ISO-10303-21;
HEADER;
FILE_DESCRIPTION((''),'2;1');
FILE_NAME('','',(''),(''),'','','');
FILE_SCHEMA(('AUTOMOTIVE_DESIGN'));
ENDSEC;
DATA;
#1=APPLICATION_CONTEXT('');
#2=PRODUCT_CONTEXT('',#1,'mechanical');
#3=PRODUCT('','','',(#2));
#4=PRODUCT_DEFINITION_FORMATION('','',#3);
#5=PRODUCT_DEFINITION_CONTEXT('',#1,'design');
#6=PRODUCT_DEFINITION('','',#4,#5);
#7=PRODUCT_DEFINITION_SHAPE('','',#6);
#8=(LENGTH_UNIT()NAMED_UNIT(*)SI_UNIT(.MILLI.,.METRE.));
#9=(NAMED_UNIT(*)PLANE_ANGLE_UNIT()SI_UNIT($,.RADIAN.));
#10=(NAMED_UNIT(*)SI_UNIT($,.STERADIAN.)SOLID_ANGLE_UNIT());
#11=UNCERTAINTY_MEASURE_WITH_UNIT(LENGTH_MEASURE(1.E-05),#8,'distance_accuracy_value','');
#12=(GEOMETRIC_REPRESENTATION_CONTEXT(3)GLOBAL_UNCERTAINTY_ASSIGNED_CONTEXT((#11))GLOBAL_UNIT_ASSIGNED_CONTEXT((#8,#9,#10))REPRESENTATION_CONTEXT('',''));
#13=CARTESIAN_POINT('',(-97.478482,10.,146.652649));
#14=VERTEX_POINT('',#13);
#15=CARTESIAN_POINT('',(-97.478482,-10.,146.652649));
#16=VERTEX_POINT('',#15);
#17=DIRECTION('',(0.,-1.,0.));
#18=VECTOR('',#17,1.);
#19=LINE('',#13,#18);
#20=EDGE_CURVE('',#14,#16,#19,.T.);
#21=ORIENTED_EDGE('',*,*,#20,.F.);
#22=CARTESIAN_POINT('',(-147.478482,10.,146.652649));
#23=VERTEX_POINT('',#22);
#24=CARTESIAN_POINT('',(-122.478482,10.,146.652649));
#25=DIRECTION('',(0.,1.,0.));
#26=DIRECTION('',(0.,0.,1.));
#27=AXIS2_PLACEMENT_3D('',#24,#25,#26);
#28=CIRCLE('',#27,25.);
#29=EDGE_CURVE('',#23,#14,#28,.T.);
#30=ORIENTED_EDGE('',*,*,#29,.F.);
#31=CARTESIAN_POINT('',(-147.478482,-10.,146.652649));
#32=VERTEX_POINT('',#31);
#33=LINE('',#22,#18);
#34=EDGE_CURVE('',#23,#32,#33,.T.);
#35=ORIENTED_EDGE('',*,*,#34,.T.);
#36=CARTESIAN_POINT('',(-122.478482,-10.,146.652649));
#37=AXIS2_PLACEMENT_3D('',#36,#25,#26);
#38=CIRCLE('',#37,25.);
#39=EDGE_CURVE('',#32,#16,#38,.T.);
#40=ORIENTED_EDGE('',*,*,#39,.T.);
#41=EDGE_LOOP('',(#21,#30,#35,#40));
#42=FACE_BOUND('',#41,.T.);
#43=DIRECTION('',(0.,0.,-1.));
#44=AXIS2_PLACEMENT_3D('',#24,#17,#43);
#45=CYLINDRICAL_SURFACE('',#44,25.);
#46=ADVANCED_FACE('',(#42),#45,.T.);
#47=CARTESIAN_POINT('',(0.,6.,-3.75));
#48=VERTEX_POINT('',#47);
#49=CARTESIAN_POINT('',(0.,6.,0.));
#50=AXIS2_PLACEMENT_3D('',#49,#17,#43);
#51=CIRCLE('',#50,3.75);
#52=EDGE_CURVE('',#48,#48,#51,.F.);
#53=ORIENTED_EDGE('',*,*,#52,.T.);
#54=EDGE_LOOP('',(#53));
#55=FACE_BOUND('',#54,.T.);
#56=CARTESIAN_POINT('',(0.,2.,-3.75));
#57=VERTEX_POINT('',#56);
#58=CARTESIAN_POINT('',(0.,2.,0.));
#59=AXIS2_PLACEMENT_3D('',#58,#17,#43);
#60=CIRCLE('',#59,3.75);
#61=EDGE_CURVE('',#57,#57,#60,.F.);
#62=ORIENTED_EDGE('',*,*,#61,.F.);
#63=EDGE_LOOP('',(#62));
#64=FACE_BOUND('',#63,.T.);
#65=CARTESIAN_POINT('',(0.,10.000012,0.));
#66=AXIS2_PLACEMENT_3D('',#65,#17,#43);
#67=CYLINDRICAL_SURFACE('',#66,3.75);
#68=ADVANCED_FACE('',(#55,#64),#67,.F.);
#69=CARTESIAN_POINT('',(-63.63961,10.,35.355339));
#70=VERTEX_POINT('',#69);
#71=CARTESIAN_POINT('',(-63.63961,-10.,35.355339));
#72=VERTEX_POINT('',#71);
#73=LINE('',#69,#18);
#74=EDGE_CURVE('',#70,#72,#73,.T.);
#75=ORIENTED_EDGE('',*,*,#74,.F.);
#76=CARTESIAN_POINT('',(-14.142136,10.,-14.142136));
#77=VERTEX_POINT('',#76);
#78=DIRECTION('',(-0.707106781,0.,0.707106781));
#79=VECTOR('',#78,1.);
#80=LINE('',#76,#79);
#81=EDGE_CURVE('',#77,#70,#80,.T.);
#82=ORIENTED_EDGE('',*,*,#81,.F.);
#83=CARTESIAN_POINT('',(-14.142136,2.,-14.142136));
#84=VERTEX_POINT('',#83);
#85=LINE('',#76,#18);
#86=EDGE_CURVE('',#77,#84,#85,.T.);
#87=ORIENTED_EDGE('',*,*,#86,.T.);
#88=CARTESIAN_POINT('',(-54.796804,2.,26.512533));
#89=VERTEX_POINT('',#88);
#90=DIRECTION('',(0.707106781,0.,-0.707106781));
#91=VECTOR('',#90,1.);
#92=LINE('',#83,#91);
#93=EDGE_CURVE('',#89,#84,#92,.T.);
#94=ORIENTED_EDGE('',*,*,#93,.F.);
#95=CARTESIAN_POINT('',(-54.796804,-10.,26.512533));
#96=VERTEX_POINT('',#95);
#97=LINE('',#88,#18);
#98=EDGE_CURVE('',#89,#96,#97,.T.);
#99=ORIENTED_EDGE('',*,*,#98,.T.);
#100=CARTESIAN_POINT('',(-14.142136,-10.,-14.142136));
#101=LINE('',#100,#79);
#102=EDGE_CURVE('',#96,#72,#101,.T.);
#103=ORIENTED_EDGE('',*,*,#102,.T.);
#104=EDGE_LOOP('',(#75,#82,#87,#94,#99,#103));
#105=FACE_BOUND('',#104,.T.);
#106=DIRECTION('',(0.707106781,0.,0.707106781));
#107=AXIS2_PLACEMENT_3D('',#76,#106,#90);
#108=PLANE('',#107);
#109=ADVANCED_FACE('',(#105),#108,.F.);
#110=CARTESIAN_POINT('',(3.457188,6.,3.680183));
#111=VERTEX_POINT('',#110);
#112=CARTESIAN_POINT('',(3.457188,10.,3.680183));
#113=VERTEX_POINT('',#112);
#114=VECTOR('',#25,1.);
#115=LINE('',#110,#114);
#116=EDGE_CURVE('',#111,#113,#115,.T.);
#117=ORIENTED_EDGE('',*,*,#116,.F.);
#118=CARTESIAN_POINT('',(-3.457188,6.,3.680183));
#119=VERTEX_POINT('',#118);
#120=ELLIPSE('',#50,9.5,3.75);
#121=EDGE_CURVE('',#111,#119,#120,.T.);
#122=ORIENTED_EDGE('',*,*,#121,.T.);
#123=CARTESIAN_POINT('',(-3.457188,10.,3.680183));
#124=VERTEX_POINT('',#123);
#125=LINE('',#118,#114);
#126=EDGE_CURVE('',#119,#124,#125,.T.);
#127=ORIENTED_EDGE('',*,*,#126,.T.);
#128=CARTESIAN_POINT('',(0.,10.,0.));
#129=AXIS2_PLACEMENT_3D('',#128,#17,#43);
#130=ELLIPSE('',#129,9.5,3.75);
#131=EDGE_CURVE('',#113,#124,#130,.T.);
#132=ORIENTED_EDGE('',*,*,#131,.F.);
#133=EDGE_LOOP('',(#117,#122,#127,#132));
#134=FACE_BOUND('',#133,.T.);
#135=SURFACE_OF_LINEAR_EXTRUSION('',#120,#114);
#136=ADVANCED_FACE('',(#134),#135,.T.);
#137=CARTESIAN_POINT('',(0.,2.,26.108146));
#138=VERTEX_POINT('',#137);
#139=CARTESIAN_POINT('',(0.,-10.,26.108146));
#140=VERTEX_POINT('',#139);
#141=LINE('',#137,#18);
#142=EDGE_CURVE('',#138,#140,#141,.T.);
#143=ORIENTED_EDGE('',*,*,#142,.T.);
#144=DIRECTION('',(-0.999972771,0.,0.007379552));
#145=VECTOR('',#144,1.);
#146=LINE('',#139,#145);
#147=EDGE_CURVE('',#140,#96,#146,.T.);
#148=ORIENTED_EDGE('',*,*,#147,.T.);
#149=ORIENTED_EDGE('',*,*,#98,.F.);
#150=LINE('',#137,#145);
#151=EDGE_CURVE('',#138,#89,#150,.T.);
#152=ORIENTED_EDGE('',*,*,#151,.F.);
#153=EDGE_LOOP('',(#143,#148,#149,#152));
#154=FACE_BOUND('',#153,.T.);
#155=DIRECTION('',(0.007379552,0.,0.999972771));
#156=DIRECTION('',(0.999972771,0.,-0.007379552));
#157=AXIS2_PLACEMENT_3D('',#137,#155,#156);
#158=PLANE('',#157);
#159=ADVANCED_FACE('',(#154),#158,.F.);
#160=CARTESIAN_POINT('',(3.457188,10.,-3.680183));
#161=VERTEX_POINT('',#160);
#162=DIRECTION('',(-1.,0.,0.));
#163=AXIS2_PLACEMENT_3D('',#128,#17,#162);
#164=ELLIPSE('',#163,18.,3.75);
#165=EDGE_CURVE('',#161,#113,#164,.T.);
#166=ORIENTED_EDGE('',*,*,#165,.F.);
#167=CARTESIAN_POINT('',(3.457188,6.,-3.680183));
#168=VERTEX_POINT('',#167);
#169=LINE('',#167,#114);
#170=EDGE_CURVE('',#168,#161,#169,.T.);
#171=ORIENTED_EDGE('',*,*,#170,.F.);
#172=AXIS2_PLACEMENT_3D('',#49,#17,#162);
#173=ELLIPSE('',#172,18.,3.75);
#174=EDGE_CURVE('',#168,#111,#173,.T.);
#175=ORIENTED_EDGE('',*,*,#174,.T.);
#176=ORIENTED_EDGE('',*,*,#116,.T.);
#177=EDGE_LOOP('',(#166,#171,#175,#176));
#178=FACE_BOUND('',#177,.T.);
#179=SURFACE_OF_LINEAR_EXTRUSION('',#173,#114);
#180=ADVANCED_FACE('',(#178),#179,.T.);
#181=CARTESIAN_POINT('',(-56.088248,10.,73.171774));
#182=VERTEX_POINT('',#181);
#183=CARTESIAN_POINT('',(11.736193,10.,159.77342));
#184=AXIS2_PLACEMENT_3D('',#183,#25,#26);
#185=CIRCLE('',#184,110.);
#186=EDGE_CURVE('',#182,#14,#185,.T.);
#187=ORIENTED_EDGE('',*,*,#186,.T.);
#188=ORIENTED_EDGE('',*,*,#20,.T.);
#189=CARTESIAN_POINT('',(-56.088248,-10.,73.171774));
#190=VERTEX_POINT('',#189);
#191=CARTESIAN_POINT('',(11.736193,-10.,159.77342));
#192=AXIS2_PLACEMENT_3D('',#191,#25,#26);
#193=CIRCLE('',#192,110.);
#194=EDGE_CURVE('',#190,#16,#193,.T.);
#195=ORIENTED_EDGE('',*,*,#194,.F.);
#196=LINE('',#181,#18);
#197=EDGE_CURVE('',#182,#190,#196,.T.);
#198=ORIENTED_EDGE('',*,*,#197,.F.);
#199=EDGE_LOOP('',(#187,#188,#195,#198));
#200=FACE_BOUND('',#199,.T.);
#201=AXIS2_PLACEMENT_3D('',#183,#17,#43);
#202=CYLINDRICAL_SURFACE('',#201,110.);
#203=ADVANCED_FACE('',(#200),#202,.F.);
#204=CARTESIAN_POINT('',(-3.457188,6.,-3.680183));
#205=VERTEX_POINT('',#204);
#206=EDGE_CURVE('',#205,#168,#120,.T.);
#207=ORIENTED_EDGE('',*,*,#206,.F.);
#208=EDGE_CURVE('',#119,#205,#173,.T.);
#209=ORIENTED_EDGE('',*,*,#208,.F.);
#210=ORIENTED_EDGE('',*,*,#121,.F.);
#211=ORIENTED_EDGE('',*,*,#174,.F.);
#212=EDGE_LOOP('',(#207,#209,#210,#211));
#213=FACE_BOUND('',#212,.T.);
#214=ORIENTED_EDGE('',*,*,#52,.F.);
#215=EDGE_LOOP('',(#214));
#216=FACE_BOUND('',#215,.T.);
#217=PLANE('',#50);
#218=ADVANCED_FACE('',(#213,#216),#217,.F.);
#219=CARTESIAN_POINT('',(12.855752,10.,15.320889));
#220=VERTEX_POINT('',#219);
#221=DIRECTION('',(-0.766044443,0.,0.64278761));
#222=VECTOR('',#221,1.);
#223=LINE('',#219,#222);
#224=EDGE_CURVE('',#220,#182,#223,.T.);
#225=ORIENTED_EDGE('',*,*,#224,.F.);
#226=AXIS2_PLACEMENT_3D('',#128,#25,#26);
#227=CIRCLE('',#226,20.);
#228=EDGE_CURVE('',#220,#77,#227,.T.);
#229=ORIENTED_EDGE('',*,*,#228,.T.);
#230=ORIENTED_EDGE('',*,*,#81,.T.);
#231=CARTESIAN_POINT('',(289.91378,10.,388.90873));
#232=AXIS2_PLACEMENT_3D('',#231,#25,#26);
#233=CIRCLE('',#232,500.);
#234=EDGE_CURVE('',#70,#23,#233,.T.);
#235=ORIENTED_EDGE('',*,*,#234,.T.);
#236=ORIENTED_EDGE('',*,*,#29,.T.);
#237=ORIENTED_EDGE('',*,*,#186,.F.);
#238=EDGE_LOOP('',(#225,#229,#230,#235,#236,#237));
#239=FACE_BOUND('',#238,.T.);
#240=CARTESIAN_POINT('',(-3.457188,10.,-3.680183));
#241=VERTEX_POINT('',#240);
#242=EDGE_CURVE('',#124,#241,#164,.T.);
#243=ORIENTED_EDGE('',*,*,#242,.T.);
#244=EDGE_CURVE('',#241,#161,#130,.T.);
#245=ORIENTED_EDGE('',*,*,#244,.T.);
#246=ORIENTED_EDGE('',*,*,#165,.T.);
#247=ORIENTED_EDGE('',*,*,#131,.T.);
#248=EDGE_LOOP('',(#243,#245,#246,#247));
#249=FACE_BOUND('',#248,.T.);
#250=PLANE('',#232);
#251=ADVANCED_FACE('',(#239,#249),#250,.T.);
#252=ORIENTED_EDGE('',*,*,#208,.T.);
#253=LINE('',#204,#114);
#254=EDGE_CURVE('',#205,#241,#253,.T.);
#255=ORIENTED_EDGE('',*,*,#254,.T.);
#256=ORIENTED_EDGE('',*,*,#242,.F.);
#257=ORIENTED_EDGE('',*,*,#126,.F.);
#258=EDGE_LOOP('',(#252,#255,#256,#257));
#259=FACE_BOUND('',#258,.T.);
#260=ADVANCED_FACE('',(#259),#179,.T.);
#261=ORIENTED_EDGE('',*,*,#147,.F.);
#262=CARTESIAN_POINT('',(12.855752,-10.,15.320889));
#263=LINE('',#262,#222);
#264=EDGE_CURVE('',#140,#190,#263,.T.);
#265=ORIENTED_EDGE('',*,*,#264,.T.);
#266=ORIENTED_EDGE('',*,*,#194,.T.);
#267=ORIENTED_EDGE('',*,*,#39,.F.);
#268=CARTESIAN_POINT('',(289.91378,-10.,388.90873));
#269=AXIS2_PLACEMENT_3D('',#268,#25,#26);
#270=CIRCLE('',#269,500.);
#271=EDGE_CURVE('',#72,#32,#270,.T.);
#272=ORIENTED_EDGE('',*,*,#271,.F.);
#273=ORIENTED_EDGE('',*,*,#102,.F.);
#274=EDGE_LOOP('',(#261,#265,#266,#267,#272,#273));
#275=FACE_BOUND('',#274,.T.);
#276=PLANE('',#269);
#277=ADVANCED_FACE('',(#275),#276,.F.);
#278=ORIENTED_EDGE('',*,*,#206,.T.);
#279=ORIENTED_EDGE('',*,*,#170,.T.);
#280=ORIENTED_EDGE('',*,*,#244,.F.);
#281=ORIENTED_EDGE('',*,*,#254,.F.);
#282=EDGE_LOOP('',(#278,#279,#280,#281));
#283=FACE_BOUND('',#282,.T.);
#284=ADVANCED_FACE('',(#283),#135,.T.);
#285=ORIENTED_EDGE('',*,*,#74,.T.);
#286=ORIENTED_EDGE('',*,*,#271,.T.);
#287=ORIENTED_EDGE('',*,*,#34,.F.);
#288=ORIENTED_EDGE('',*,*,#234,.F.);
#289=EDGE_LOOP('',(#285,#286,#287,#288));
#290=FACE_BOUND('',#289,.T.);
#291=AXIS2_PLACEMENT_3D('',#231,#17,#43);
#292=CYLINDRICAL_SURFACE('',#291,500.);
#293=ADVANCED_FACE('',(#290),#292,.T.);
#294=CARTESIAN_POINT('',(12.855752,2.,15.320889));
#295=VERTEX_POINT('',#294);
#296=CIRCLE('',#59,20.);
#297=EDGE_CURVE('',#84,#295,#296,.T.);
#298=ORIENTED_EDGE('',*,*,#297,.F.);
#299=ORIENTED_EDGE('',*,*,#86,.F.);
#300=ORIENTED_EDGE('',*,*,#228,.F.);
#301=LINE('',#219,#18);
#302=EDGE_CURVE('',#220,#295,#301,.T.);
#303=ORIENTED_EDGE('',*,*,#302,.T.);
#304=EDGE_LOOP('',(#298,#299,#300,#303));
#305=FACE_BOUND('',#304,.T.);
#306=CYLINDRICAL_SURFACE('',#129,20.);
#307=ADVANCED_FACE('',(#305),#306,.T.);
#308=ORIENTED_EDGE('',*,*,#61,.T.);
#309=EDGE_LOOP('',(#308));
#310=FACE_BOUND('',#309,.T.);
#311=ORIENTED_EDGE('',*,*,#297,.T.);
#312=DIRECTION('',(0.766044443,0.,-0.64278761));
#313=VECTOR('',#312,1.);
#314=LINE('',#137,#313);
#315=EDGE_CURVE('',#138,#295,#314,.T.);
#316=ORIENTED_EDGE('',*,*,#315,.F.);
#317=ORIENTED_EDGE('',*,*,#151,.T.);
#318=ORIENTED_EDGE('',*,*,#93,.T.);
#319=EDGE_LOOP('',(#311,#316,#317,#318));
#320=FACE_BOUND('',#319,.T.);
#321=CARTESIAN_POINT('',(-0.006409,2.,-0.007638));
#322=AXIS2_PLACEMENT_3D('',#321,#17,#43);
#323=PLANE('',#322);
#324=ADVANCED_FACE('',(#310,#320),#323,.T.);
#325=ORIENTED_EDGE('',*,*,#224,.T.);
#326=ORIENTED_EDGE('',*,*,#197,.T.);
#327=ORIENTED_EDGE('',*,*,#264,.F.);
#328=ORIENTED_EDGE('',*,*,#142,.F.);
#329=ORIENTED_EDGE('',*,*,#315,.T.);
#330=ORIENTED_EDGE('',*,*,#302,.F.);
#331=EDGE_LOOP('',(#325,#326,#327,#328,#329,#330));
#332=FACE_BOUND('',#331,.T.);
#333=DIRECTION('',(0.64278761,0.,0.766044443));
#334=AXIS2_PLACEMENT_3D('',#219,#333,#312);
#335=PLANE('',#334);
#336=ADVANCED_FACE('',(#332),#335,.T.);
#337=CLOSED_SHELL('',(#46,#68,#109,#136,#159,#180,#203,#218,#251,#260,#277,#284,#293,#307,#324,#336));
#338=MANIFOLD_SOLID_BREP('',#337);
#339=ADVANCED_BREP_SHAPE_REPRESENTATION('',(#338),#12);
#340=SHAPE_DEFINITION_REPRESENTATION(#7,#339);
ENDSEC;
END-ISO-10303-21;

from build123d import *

# Parameters (mm, degrees)
EXTRUDE_1_DEPTH          = 10
SKETCH_2_R               = 3.75
CUT_EXTRUDE_2_DEPTH      = 21
CUT_EXTRUDE_2_DEPTH_BACK = 1
CUT_EXTRUDE_3_DEPTH      = 4
CUT_EXTRUDE_3_DEPTH_BACK = 4
CUT_EXTRUDE_4_DEPTH      = 12


with BuildPart() as part:
    # 草图1 → 凸台-拉伸1 (new body, symmetric)
    with BuildSketch(Plane(origin=(0, 0, 0), x_dir=(1, 0, 0), z_dir=(0, 1, 0))):
        with BuildLine():
            Line((-14.142135624, 14.142135624), (-63.639610307, -35.355339059))
            ThreePointArc((-63.639610307, -35.355339059), (-109.455133557, -88.069120133), (-147.47848225, -146.652648876))
            ThreePointArc((-147.47848225, -146.652648876), (-122.47848225, -171.652648876), (-97.47848225, -146.652648876))
            ThreePointArc((-97.47848225, -146.652648876), (-84.10519624, -105.787977439), (-56.088247687, -73.171773734))
            Line((-56.088247687, -73.171773734), (12.855752194, -15.320888862))
            ThreePointArc((12.855752194, -15.320888862), (14.745546736, 13.511804152), (-14.142135624, 14.142135624))
        make_face()
    extrude(amount=EXTRUDE_1_DEPTH, both=True)

    # 草图2 → 切除-拉伸2 (cut, two sides)
    with BuildSketch(Plane(origin=(0, 10, 0), x_dir=(-1, 0, 0), z_dir=(0, -1, 0))) as cut_extrude_2_sk:
        Circle(SKETCH_2_R)
    extrude(amount=CUT_EXTRUDE_2_DEPTH, mode=Mode.SUBTRACT)
    extrude(cut_extrude_2_sk.sketch, amount=-CUT_EXTRUDE_2_DEPTH_BACK, mode=Mode.SUBTRACT)

    # 草图3 → 切除-拉伸3 (cut, two sides)
    with BuildSketch(Plane(origin=(0, 10, 0), x_dir=(-1, 0, 0), z_dir=(0, -1, 0))) as cut_extrude_3_sk:
        with BuildLine():
            add(Edge.make_bspline(
                [(-3.457188478, 3.680182522), (-18, 3.087230439), (-18, 0), (-18, -3.087230439), (-3.457188478, -3.680182522)],
                knots=[1.764063263, 1.764063263, 1.764063263, 3.141592654, 3.141592654, 4.519122044, 4.519122044, 4.519122044], degree=2, weights=[1, 0.772031744, 1, 0.772031744, 1]))
            add(Edge.make_bspline(
                [(-3.457188478, -3.680182522), (0, -24.523240209), (3.457188478, -3.680182522)],
                knots=[1.968592603, 1.968592603, 1.968592603, 4.314592705, 4.314592705, 4.314592705], degree=2, weights=[1, 0.387387634, 1]))
            add(Edge.make_bspline(
                [(3.457188478, -3.680182522), (18, -3.087230439), (18, 0), (18, 3.087230439), (3.457188478, 3.680182522)],
                knots=[4.905655917, 4.905655917, 4.905655917, 6.283185307, 6.283185307, 7.660714698, 7.660714698, 7.660714698], degree=2, weights=[1, 0.772031744, 1, 0.772031744, 1]))
            add(Edge.make_bspline(
                [(3.457188478, 3.680182522), (0, 24.523240209), (-3.457188478, 3.680182522)],
                knots=[5.110185256, 5.110185256, 5.110185256, 7.456185358, 7.456185358, 7.456185358], degree=2, weights=[1, 0.387387634, 1]))
        make_face()
    extrude(amount=CUT_EXTRUDE_3_DEPTH, mode=Mode.SUBTRACT)
    extrude(cut_extrude_3_sk.sketch, amount=-CUT_EXTRUDE_3_DEPTH_BACK, mode=Mode.SUBTRACT)

    # 草图4 → 切除-拉伸4 (cut)
    with BuildSketch(Plane(origin=(0, -10, 0), x_dir=(-1, 0, 0), z_dir=(0, -1, 0))):
        with BuildLine():
            Line((0, -26.108145787), (54.796803902, -26.512532655))
            Line((54.796803902, -26.512532655), (14.772467095, 13.511804152))
            ThreePointArc((14.772467095, 13.511804152), (-14.441332679, 13.851832142), (-12.855752194, -15.320888862))
            Line((-12.855752194, -15.320888862), (0, -26.108145787))
        make_face()
    extrude(amount=-CUT_EXTRUDE_4_DEPTH, mode=Mode.SUBTRACT)


solid = part.part
